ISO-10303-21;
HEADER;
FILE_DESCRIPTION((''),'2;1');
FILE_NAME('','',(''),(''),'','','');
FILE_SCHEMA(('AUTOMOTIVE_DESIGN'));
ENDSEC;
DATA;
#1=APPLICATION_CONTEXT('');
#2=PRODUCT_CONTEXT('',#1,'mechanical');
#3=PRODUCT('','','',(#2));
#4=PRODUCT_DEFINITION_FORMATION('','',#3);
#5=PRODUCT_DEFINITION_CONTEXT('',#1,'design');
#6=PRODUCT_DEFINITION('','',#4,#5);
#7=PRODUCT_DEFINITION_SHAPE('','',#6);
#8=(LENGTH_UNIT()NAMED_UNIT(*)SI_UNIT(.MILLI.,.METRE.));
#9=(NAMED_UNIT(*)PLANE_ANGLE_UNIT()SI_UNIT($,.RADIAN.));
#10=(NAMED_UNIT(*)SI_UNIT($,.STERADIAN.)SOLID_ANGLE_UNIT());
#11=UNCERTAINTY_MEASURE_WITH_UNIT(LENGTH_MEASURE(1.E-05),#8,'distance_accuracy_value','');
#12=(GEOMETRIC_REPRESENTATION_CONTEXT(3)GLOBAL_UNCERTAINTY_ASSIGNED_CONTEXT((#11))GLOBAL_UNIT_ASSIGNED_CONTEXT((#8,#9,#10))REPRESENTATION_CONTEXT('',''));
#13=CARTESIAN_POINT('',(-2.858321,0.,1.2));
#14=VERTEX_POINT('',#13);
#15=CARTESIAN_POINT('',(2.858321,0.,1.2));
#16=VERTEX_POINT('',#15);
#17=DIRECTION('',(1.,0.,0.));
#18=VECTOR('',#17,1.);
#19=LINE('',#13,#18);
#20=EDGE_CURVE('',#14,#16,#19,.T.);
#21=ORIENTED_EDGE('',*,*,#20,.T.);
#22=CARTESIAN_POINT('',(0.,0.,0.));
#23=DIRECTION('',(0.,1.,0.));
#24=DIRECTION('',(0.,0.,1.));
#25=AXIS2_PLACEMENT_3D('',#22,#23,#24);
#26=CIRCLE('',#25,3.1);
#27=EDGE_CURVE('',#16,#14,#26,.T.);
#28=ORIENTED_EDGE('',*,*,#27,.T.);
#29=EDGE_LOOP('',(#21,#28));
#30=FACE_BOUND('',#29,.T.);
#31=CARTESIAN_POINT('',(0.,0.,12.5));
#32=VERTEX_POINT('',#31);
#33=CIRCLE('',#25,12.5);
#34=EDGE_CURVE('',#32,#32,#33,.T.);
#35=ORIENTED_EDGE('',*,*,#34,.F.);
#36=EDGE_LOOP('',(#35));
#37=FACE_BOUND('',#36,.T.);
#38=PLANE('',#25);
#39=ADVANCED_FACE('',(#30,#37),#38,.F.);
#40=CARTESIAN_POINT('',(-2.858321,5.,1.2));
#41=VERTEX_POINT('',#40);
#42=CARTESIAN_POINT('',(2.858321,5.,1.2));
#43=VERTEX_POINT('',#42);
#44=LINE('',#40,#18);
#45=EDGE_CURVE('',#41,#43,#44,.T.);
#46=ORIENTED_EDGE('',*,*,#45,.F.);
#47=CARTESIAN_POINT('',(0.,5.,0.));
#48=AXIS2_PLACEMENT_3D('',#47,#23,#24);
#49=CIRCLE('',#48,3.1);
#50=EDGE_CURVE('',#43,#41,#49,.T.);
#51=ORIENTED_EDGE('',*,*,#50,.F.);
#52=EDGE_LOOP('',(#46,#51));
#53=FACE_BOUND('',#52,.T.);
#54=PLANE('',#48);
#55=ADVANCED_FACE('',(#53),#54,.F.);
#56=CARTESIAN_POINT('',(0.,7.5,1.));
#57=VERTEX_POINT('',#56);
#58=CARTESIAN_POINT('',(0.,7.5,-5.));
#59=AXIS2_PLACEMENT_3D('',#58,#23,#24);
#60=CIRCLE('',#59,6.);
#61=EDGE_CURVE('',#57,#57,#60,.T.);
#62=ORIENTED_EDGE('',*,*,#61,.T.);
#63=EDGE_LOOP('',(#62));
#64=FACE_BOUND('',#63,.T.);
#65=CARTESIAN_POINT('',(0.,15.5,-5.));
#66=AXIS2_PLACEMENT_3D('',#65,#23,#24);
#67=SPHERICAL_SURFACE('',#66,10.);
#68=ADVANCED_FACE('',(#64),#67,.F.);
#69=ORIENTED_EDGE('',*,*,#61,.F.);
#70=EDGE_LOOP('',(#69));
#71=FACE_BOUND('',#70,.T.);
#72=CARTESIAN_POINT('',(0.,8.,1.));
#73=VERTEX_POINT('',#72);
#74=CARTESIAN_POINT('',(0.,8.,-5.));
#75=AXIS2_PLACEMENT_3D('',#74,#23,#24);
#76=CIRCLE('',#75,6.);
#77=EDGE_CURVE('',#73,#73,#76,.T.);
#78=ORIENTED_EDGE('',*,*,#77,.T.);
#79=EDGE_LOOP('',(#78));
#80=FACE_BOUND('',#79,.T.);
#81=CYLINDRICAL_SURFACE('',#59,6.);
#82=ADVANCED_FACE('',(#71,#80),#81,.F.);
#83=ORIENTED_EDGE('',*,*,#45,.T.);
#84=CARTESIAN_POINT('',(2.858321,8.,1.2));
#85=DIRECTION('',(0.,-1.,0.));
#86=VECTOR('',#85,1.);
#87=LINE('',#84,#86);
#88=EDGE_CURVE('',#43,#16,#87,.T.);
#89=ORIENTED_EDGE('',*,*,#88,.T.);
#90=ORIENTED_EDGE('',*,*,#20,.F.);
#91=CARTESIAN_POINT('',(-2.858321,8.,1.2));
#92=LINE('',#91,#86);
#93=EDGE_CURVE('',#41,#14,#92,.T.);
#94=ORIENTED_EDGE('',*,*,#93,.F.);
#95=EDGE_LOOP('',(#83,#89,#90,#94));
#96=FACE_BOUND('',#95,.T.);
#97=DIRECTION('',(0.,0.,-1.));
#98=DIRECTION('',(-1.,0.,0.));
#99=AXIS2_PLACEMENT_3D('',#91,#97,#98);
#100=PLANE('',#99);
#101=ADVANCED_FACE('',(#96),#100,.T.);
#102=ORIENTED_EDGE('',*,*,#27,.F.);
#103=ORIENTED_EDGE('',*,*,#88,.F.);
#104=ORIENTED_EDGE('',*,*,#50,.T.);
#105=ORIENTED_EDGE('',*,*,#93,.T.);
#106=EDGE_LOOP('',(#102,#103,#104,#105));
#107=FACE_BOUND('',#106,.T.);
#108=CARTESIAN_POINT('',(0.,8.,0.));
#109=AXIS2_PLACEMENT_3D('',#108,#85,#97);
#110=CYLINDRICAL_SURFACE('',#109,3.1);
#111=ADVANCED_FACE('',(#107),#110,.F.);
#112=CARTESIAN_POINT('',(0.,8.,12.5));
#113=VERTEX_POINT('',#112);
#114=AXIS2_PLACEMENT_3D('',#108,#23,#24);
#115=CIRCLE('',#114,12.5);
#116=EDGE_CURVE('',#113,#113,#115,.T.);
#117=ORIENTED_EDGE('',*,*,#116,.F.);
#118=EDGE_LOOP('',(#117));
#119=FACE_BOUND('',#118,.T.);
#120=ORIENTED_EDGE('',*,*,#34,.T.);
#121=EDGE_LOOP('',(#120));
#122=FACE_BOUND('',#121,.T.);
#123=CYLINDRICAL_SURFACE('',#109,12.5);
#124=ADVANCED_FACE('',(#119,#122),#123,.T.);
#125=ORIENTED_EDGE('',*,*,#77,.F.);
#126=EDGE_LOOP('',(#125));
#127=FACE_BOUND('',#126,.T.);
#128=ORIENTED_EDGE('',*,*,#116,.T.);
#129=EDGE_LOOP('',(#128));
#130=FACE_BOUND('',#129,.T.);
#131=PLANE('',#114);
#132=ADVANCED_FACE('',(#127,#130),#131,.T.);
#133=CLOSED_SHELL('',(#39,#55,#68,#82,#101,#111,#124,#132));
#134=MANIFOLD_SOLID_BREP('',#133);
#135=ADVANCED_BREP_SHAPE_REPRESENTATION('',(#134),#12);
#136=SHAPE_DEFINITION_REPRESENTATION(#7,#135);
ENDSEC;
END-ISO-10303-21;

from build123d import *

# Parameters (mm, degrees)
SKETCH1_R           = 12.5
BOSS_EXTRUDE1_DEPTH = 8
BOSS_EXTRUDE2_START = -3
SKETCH2_R           = 12.5
BOSS_EXTRUDE2_DEPTH = 3
SKETCH3_R           = 6
CUT_EXTRUDE1_DEPTH  = 0.5
DOME1_FACE_RADIUS   = 6
DOME1_HEIGHT        = 2


with BuildPart() as part:
    # Sketch1 → Boss-Extrude1 (new body)
    with BuildSketch(Plane(origin=(0, 0, 0), x_dir=(1, 0, 0), z_dir=(0, 1, 0))):
        with Locations(Location((0, 0, 0), (0, 0, 270))):
            Circle(SKETCH1_R)
        with BuildLine():
            Line((-2.858321186, -1.2), (2.858321186, -1.2))
            ThreePointArc((2.858321186, -1.2), (0, 3.1), (-2.858321186, -1.2))
        make_face(mode=Mode.SUBTRACT)
    extrude(amount=BOSS_EXTRUDE1_DEPTH)

    # Sketch2 → Boss-Extrude2 (add)
    with BuildSketch(Plane(origin=(0, 8, 0), x_dir=(1, 0, 0), z_dir=(0, 1, 0)).offset(BOSS_EXTRUDE2_START)):
        with Locations(Location((0, 0, 0), (0, 0, 270))):
            Circle(SKETCH2_R)
    extrude(amount=BOSS_EXTRUDE2_DEPTH)

    # Sketch3 → Cut-Extrude1 (cut)
    with BuildSketch(Plane(origin=(0, 8, 0), x_dir=(1, 0, 0), z_dir=(0, 1, 0))):
        with Locations(Location((0, 5, 0), (0, 0, 270))):
            Circle(SKETCH3_R)
    extrude(amount=-CUT_EXTRUDE1_DEPTH, mode=Mode.SUBTRACT)

    # Dome1: a dome of height H over a round flat face of radius A is a cap of a sphere of radius (A * A + H * H) / (2 * H)
    dome1_r = (DOME1_FACE_RADIUS * DOME1_FACE_RADIUS + DOME1_HEIGHT * DOME1_HEIGHT) / (2 * DOME1_HEIGHT)
    dome1_base = Plane((0, 7.5, -5), z_dir=(0, -1, 0))
    with Locations(dome1_base.offset(DOME1_HEIGHT - dome1_r)):
        dome1_ball = Sphere(dome1_r, mode=Mode.PRIVATE)
    add(split(dome1_ball, bisect_by=dome1_base, keep=Keep.TOP, mode=Mode.PRIVATE), mode=Mode.SUBTRACT)


solid = part.part
